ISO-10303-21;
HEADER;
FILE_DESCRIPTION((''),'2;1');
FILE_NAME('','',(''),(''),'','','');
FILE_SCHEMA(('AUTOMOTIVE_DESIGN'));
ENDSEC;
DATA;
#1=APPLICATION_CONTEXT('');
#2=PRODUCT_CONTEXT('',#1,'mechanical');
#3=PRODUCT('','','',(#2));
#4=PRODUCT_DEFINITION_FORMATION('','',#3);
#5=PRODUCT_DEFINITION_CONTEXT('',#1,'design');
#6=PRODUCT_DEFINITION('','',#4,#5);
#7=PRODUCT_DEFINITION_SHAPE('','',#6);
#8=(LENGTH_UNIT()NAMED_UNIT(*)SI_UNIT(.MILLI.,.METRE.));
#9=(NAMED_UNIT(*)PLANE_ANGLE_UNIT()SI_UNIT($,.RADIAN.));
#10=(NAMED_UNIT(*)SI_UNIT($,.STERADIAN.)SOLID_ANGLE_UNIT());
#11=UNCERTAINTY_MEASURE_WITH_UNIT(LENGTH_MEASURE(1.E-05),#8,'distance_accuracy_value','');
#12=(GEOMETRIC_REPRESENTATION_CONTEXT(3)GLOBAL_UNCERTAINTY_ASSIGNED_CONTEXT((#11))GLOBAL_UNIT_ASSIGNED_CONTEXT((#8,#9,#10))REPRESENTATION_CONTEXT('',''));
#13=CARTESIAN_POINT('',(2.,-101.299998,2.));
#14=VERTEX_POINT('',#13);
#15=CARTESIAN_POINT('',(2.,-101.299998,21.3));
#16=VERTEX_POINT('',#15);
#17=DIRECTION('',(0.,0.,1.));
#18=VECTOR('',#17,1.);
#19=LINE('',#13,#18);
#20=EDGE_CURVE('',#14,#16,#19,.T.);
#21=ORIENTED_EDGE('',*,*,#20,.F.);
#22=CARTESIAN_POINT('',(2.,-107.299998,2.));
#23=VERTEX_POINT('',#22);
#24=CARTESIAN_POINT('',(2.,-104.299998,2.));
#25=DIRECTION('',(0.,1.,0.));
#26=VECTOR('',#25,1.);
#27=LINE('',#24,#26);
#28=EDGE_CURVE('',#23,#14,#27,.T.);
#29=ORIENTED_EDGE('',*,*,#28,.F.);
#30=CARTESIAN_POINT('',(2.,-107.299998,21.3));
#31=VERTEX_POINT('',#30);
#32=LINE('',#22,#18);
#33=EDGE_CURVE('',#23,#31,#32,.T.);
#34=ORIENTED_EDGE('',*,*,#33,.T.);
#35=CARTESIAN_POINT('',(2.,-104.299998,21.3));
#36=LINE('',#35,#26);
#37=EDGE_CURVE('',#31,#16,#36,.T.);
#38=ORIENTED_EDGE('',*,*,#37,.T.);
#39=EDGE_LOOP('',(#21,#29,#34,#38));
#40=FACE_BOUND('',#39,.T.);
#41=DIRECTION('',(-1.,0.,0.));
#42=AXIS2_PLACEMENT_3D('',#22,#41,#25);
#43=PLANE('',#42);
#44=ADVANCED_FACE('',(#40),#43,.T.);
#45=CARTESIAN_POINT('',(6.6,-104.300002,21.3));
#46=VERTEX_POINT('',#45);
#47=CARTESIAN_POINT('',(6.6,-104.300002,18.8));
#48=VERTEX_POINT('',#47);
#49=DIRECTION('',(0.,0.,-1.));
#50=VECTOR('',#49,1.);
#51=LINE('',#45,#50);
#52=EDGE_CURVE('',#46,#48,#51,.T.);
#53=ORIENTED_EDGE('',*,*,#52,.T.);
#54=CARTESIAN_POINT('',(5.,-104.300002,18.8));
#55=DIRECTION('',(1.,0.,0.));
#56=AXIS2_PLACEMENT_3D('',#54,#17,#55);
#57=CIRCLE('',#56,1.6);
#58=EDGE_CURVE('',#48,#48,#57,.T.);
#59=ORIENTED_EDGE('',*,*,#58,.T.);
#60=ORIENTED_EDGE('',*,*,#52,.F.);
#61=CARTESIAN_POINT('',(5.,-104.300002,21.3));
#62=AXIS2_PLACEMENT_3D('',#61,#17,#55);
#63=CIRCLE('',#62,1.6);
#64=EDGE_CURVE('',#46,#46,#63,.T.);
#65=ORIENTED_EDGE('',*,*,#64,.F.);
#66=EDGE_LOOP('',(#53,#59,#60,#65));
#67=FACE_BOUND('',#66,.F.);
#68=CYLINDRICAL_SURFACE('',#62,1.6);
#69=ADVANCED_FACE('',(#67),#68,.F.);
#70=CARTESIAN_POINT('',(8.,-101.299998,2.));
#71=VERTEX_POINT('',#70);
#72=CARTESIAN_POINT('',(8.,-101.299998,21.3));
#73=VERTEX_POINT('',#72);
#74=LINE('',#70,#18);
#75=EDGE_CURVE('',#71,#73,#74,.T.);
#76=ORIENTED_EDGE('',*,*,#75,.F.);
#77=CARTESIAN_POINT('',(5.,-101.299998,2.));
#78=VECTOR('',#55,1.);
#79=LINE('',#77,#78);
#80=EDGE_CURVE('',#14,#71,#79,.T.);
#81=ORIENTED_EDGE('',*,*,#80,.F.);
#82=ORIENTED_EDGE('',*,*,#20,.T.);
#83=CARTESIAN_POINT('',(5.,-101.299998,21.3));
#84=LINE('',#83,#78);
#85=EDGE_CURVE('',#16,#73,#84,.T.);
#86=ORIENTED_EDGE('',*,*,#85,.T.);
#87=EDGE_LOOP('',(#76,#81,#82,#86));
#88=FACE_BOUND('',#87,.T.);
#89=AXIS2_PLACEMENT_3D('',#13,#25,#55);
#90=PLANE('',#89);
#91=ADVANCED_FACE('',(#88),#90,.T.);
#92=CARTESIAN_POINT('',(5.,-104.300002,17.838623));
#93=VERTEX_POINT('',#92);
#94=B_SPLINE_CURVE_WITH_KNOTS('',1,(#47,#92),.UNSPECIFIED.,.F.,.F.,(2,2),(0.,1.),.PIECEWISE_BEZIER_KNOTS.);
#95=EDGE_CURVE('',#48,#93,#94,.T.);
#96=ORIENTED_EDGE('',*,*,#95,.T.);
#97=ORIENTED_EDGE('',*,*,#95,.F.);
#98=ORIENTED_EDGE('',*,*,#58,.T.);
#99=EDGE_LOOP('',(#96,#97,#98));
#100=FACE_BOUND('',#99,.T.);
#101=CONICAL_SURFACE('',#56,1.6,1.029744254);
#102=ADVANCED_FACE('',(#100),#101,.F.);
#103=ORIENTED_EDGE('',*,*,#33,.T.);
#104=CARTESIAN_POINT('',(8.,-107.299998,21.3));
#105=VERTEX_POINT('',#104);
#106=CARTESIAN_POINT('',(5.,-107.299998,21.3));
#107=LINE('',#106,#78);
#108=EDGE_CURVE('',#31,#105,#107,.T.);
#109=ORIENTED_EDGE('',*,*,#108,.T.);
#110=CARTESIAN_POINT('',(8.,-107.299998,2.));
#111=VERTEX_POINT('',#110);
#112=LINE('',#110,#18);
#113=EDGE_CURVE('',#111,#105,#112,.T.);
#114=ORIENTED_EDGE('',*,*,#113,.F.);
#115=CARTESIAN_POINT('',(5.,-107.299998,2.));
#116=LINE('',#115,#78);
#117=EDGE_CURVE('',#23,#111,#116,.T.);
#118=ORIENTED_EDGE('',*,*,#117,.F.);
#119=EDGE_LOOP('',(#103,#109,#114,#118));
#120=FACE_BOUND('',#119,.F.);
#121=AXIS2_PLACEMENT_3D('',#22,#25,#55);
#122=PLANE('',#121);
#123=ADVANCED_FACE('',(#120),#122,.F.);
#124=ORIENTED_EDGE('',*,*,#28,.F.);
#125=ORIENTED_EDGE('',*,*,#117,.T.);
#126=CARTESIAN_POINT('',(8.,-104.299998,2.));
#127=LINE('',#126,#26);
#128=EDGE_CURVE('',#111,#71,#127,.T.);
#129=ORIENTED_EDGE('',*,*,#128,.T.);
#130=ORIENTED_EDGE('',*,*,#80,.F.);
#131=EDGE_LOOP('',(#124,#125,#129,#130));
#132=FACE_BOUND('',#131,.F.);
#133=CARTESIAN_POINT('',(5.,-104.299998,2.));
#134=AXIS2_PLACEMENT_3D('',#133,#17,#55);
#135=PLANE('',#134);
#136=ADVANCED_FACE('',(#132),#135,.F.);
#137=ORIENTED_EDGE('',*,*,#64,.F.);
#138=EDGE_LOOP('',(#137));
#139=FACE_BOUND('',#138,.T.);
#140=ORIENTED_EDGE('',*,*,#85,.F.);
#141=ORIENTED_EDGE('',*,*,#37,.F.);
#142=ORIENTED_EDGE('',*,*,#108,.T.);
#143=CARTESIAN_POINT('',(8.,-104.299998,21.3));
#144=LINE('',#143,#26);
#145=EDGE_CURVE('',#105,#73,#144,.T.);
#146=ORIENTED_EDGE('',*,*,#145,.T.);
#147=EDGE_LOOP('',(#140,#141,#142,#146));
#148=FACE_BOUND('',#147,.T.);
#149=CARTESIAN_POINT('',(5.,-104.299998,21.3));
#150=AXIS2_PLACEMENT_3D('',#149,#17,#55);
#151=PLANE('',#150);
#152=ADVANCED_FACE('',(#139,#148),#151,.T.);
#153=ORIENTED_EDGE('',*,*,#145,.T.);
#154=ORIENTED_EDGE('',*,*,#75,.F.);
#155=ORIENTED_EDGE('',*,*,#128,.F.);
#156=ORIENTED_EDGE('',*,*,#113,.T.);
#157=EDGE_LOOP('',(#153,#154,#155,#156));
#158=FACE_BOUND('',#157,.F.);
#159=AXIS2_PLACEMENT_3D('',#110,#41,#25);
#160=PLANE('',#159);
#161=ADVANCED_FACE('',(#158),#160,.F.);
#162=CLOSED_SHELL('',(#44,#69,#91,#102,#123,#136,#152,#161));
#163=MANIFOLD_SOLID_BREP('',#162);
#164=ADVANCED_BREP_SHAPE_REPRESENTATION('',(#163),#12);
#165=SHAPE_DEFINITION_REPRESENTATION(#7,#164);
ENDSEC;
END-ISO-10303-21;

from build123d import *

# Parameters (mm, degrees)
SKETCH095_W      = 6
SKETCH095_H      = 6
EXTRUDE033_DEPTH = 19.3
SKETCH096_R      = 1.6
HOLE019_DEPTH    = 2.5
HOLE019_TIPS_R   = 1.6


with BuildPart() as part:
    # Sketch095 (on Face6 of BaseFeature009) → Extrude033 (new body)
    with BuildSketch(Plane.XY.offset(2)):
        with Locations((5, -104.299998)):
            Rectangle(SKETCH095_W, SKETCH095_H)
    extrude(amount=EXTRUDE033_DEPTH)

    # Sketch096 (on Face6 of Extrude033) → Hole019 (cut)
    with BuildSketch(Plane.XY.offset(21.3)):
        with Locations((5, -104.300002)):
            Circle(SKETCH096_R)
    extrude(amount=-HOLE019_DEPTH, mode=Mode.SUBTRACT)

    # Hole019 tips → Hole019 tip 1 section 0
    with BuildSketch(Plane.XY.offset(18.8), mode=Mode.PRIVATE) as hole019_tip_1_s0:
        with Locations((5, -104.300002)):
            Circle(HOLE019_TIPS_R)
    loft([hole019_tip_1_s0.sketch, Vertex(5, -104.300002, 17.838623)], mode=Mode.SUBTRACT)


solid = part.part
